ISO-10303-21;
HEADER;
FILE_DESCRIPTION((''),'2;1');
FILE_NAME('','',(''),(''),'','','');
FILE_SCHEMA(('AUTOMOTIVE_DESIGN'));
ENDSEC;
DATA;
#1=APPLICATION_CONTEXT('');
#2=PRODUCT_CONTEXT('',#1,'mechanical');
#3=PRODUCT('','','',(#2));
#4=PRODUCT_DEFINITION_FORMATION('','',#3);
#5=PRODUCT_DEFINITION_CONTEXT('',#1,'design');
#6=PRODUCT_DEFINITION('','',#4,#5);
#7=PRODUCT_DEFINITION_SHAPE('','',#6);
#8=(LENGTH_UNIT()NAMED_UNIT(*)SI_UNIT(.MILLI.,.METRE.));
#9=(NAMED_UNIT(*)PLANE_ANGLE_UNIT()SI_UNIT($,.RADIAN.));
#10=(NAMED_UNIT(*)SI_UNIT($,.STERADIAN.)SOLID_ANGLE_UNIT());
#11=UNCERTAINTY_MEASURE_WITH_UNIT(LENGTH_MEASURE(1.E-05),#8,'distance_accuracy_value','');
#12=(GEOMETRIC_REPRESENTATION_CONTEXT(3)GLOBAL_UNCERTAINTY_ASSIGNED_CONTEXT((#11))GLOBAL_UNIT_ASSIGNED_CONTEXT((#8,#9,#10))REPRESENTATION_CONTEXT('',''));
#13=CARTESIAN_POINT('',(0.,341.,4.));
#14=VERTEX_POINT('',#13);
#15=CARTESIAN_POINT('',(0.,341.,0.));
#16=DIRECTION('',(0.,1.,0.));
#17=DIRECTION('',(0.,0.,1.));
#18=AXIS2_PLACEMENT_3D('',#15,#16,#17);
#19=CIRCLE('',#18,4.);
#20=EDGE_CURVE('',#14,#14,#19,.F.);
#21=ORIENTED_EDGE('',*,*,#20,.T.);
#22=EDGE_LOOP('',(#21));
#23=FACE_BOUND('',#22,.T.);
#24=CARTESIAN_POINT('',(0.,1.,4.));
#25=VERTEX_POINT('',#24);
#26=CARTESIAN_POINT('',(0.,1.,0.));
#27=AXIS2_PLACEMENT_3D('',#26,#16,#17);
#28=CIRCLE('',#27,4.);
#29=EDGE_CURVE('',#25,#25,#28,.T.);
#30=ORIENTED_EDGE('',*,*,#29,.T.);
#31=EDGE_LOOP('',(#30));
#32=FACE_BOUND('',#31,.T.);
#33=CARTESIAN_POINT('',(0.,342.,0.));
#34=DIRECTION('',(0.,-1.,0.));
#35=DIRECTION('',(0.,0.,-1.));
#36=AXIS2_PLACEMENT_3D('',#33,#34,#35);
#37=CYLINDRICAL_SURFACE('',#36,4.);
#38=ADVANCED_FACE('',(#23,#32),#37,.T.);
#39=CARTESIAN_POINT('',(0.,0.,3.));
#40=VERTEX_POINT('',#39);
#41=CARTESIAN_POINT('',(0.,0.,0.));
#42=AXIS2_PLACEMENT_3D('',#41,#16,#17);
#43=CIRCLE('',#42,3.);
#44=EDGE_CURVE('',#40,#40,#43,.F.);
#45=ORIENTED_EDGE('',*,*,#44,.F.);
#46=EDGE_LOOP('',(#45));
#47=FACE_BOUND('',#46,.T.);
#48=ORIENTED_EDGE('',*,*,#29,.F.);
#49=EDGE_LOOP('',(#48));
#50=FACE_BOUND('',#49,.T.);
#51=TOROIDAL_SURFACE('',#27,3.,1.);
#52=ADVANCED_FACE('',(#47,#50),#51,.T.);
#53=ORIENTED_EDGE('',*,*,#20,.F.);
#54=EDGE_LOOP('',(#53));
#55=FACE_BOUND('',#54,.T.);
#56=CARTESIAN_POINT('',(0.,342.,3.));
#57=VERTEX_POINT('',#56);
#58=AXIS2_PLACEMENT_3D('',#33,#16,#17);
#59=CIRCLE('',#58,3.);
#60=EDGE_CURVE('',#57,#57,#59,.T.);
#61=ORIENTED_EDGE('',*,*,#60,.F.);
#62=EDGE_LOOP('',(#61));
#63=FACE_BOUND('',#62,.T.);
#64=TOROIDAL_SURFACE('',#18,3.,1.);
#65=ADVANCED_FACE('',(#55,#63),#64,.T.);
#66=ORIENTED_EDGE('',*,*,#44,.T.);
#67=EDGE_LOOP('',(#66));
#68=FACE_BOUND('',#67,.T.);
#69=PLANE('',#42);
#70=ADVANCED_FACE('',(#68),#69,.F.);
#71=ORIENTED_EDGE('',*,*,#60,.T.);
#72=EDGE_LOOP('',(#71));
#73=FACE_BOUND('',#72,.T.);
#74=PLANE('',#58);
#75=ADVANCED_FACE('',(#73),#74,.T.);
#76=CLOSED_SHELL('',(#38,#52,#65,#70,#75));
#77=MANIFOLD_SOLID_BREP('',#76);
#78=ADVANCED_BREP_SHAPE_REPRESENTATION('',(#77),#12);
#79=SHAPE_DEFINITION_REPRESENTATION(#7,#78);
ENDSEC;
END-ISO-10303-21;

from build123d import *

# Parameters (mm, degrees)
SKETCH1_R           = 4
BOSS_EXTRUDE1_DEPTH = 342
FILLET2_R           = 1


with BuildPart() as part:
    # Sketch1 → Boss-Extrude1 (new body)
    with BuildSketch(Plane(origin=(0, 0, 0), x_dir=(1, 0, 0), z_dir=(0, 1, 0))):
        Circle(SKETCH1_R)
    extrude(amount=BOSS_EXTRUDE1_DEPTH)

    # Fillet2
    fillet2_edges = [part.edges().sort_by_distance(p)[0] for p in [
        (-4, 0, 0),
        (-4, 342, 0),
    ]]
    fillet(fillet2_edges, radius=FILLET2_R)


solid = part.part
